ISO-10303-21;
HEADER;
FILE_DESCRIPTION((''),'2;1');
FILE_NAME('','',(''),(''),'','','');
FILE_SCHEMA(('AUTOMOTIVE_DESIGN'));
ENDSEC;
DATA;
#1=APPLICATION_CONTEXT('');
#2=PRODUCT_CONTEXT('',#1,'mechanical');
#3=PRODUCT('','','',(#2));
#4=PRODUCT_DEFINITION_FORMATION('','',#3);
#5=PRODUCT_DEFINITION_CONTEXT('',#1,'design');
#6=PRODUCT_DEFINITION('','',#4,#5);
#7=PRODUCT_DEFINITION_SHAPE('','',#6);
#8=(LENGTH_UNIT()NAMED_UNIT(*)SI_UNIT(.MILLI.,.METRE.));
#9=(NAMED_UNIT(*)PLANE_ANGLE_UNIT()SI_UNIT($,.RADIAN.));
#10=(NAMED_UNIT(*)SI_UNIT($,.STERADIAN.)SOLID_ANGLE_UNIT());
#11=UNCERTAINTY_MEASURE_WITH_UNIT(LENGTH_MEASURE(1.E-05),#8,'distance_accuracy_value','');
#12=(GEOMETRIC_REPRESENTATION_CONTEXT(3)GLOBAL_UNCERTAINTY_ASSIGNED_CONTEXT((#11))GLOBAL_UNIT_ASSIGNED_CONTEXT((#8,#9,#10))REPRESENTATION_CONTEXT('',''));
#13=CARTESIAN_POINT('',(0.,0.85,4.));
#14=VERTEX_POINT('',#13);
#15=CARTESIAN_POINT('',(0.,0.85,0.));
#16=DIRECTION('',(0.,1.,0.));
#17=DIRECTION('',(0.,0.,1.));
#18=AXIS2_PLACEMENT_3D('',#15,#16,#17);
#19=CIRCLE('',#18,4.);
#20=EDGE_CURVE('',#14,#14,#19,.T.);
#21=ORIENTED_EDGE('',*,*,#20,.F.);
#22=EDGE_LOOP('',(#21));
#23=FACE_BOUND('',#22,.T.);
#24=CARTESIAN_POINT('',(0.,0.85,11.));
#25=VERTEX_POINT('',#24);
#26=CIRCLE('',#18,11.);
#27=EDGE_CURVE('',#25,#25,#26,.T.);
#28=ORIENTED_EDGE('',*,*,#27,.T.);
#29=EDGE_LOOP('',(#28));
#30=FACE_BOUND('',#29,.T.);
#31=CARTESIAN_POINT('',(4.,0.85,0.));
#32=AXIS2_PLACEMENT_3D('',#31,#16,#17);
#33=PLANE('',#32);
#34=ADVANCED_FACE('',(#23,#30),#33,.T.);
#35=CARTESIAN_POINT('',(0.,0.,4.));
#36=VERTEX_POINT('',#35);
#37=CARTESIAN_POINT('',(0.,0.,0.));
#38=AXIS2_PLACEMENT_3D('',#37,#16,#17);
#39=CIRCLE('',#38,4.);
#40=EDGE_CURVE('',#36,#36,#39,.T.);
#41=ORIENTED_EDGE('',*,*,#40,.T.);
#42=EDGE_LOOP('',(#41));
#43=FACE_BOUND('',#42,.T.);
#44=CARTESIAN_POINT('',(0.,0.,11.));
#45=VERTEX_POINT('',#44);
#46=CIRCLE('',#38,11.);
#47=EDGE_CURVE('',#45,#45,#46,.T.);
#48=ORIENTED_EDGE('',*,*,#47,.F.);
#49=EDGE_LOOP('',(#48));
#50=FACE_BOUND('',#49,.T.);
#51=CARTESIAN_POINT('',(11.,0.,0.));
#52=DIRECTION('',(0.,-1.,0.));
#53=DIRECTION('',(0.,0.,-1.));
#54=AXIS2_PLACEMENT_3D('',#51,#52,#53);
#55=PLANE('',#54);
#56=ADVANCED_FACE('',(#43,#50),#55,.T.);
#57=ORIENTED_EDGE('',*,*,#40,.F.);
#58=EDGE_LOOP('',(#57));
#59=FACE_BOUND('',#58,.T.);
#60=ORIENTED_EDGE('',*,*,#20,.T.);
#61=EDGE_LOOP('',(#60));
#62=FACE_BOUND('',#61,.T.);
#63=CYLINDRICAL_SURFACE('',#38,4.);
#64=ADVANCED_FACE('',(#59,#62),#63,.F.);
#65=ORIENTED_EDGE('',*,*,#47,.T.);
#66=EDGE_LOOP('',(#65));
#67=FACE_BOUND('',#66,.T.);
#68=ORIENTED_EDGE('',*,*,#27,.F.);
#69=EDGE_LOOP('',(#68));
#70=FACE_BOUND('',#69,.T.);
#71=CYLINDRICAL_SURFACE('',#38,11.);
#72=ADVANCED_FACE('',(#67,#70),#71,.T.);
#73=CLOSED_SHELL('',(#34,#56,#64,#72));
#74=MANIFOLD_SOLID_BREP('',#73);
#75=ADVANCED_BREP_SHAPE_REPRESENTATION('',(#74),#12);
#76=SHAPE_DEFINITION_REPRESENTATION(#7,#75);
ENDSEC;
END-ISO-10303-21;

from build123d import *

# Parameters (mm, degrees)
SKETCH1_W = 7
SKETCH1_H = 0.85


with BuildPart() as part:
    # Sketch1 → Revolve1 (revolve)
    with BuildSketch(Plane(origin=(0, 0, 0), x_dir=(-1, 0, 0), z_dir=(0, 0, -1))):
        with Locations((-7.5, 0.425)):
            Rectangle(SKETCH1_W, SKETCH1_H)
    revolve(axis=Axis((0, 0, 0), (0, 1, 0)))


solid = part.part
